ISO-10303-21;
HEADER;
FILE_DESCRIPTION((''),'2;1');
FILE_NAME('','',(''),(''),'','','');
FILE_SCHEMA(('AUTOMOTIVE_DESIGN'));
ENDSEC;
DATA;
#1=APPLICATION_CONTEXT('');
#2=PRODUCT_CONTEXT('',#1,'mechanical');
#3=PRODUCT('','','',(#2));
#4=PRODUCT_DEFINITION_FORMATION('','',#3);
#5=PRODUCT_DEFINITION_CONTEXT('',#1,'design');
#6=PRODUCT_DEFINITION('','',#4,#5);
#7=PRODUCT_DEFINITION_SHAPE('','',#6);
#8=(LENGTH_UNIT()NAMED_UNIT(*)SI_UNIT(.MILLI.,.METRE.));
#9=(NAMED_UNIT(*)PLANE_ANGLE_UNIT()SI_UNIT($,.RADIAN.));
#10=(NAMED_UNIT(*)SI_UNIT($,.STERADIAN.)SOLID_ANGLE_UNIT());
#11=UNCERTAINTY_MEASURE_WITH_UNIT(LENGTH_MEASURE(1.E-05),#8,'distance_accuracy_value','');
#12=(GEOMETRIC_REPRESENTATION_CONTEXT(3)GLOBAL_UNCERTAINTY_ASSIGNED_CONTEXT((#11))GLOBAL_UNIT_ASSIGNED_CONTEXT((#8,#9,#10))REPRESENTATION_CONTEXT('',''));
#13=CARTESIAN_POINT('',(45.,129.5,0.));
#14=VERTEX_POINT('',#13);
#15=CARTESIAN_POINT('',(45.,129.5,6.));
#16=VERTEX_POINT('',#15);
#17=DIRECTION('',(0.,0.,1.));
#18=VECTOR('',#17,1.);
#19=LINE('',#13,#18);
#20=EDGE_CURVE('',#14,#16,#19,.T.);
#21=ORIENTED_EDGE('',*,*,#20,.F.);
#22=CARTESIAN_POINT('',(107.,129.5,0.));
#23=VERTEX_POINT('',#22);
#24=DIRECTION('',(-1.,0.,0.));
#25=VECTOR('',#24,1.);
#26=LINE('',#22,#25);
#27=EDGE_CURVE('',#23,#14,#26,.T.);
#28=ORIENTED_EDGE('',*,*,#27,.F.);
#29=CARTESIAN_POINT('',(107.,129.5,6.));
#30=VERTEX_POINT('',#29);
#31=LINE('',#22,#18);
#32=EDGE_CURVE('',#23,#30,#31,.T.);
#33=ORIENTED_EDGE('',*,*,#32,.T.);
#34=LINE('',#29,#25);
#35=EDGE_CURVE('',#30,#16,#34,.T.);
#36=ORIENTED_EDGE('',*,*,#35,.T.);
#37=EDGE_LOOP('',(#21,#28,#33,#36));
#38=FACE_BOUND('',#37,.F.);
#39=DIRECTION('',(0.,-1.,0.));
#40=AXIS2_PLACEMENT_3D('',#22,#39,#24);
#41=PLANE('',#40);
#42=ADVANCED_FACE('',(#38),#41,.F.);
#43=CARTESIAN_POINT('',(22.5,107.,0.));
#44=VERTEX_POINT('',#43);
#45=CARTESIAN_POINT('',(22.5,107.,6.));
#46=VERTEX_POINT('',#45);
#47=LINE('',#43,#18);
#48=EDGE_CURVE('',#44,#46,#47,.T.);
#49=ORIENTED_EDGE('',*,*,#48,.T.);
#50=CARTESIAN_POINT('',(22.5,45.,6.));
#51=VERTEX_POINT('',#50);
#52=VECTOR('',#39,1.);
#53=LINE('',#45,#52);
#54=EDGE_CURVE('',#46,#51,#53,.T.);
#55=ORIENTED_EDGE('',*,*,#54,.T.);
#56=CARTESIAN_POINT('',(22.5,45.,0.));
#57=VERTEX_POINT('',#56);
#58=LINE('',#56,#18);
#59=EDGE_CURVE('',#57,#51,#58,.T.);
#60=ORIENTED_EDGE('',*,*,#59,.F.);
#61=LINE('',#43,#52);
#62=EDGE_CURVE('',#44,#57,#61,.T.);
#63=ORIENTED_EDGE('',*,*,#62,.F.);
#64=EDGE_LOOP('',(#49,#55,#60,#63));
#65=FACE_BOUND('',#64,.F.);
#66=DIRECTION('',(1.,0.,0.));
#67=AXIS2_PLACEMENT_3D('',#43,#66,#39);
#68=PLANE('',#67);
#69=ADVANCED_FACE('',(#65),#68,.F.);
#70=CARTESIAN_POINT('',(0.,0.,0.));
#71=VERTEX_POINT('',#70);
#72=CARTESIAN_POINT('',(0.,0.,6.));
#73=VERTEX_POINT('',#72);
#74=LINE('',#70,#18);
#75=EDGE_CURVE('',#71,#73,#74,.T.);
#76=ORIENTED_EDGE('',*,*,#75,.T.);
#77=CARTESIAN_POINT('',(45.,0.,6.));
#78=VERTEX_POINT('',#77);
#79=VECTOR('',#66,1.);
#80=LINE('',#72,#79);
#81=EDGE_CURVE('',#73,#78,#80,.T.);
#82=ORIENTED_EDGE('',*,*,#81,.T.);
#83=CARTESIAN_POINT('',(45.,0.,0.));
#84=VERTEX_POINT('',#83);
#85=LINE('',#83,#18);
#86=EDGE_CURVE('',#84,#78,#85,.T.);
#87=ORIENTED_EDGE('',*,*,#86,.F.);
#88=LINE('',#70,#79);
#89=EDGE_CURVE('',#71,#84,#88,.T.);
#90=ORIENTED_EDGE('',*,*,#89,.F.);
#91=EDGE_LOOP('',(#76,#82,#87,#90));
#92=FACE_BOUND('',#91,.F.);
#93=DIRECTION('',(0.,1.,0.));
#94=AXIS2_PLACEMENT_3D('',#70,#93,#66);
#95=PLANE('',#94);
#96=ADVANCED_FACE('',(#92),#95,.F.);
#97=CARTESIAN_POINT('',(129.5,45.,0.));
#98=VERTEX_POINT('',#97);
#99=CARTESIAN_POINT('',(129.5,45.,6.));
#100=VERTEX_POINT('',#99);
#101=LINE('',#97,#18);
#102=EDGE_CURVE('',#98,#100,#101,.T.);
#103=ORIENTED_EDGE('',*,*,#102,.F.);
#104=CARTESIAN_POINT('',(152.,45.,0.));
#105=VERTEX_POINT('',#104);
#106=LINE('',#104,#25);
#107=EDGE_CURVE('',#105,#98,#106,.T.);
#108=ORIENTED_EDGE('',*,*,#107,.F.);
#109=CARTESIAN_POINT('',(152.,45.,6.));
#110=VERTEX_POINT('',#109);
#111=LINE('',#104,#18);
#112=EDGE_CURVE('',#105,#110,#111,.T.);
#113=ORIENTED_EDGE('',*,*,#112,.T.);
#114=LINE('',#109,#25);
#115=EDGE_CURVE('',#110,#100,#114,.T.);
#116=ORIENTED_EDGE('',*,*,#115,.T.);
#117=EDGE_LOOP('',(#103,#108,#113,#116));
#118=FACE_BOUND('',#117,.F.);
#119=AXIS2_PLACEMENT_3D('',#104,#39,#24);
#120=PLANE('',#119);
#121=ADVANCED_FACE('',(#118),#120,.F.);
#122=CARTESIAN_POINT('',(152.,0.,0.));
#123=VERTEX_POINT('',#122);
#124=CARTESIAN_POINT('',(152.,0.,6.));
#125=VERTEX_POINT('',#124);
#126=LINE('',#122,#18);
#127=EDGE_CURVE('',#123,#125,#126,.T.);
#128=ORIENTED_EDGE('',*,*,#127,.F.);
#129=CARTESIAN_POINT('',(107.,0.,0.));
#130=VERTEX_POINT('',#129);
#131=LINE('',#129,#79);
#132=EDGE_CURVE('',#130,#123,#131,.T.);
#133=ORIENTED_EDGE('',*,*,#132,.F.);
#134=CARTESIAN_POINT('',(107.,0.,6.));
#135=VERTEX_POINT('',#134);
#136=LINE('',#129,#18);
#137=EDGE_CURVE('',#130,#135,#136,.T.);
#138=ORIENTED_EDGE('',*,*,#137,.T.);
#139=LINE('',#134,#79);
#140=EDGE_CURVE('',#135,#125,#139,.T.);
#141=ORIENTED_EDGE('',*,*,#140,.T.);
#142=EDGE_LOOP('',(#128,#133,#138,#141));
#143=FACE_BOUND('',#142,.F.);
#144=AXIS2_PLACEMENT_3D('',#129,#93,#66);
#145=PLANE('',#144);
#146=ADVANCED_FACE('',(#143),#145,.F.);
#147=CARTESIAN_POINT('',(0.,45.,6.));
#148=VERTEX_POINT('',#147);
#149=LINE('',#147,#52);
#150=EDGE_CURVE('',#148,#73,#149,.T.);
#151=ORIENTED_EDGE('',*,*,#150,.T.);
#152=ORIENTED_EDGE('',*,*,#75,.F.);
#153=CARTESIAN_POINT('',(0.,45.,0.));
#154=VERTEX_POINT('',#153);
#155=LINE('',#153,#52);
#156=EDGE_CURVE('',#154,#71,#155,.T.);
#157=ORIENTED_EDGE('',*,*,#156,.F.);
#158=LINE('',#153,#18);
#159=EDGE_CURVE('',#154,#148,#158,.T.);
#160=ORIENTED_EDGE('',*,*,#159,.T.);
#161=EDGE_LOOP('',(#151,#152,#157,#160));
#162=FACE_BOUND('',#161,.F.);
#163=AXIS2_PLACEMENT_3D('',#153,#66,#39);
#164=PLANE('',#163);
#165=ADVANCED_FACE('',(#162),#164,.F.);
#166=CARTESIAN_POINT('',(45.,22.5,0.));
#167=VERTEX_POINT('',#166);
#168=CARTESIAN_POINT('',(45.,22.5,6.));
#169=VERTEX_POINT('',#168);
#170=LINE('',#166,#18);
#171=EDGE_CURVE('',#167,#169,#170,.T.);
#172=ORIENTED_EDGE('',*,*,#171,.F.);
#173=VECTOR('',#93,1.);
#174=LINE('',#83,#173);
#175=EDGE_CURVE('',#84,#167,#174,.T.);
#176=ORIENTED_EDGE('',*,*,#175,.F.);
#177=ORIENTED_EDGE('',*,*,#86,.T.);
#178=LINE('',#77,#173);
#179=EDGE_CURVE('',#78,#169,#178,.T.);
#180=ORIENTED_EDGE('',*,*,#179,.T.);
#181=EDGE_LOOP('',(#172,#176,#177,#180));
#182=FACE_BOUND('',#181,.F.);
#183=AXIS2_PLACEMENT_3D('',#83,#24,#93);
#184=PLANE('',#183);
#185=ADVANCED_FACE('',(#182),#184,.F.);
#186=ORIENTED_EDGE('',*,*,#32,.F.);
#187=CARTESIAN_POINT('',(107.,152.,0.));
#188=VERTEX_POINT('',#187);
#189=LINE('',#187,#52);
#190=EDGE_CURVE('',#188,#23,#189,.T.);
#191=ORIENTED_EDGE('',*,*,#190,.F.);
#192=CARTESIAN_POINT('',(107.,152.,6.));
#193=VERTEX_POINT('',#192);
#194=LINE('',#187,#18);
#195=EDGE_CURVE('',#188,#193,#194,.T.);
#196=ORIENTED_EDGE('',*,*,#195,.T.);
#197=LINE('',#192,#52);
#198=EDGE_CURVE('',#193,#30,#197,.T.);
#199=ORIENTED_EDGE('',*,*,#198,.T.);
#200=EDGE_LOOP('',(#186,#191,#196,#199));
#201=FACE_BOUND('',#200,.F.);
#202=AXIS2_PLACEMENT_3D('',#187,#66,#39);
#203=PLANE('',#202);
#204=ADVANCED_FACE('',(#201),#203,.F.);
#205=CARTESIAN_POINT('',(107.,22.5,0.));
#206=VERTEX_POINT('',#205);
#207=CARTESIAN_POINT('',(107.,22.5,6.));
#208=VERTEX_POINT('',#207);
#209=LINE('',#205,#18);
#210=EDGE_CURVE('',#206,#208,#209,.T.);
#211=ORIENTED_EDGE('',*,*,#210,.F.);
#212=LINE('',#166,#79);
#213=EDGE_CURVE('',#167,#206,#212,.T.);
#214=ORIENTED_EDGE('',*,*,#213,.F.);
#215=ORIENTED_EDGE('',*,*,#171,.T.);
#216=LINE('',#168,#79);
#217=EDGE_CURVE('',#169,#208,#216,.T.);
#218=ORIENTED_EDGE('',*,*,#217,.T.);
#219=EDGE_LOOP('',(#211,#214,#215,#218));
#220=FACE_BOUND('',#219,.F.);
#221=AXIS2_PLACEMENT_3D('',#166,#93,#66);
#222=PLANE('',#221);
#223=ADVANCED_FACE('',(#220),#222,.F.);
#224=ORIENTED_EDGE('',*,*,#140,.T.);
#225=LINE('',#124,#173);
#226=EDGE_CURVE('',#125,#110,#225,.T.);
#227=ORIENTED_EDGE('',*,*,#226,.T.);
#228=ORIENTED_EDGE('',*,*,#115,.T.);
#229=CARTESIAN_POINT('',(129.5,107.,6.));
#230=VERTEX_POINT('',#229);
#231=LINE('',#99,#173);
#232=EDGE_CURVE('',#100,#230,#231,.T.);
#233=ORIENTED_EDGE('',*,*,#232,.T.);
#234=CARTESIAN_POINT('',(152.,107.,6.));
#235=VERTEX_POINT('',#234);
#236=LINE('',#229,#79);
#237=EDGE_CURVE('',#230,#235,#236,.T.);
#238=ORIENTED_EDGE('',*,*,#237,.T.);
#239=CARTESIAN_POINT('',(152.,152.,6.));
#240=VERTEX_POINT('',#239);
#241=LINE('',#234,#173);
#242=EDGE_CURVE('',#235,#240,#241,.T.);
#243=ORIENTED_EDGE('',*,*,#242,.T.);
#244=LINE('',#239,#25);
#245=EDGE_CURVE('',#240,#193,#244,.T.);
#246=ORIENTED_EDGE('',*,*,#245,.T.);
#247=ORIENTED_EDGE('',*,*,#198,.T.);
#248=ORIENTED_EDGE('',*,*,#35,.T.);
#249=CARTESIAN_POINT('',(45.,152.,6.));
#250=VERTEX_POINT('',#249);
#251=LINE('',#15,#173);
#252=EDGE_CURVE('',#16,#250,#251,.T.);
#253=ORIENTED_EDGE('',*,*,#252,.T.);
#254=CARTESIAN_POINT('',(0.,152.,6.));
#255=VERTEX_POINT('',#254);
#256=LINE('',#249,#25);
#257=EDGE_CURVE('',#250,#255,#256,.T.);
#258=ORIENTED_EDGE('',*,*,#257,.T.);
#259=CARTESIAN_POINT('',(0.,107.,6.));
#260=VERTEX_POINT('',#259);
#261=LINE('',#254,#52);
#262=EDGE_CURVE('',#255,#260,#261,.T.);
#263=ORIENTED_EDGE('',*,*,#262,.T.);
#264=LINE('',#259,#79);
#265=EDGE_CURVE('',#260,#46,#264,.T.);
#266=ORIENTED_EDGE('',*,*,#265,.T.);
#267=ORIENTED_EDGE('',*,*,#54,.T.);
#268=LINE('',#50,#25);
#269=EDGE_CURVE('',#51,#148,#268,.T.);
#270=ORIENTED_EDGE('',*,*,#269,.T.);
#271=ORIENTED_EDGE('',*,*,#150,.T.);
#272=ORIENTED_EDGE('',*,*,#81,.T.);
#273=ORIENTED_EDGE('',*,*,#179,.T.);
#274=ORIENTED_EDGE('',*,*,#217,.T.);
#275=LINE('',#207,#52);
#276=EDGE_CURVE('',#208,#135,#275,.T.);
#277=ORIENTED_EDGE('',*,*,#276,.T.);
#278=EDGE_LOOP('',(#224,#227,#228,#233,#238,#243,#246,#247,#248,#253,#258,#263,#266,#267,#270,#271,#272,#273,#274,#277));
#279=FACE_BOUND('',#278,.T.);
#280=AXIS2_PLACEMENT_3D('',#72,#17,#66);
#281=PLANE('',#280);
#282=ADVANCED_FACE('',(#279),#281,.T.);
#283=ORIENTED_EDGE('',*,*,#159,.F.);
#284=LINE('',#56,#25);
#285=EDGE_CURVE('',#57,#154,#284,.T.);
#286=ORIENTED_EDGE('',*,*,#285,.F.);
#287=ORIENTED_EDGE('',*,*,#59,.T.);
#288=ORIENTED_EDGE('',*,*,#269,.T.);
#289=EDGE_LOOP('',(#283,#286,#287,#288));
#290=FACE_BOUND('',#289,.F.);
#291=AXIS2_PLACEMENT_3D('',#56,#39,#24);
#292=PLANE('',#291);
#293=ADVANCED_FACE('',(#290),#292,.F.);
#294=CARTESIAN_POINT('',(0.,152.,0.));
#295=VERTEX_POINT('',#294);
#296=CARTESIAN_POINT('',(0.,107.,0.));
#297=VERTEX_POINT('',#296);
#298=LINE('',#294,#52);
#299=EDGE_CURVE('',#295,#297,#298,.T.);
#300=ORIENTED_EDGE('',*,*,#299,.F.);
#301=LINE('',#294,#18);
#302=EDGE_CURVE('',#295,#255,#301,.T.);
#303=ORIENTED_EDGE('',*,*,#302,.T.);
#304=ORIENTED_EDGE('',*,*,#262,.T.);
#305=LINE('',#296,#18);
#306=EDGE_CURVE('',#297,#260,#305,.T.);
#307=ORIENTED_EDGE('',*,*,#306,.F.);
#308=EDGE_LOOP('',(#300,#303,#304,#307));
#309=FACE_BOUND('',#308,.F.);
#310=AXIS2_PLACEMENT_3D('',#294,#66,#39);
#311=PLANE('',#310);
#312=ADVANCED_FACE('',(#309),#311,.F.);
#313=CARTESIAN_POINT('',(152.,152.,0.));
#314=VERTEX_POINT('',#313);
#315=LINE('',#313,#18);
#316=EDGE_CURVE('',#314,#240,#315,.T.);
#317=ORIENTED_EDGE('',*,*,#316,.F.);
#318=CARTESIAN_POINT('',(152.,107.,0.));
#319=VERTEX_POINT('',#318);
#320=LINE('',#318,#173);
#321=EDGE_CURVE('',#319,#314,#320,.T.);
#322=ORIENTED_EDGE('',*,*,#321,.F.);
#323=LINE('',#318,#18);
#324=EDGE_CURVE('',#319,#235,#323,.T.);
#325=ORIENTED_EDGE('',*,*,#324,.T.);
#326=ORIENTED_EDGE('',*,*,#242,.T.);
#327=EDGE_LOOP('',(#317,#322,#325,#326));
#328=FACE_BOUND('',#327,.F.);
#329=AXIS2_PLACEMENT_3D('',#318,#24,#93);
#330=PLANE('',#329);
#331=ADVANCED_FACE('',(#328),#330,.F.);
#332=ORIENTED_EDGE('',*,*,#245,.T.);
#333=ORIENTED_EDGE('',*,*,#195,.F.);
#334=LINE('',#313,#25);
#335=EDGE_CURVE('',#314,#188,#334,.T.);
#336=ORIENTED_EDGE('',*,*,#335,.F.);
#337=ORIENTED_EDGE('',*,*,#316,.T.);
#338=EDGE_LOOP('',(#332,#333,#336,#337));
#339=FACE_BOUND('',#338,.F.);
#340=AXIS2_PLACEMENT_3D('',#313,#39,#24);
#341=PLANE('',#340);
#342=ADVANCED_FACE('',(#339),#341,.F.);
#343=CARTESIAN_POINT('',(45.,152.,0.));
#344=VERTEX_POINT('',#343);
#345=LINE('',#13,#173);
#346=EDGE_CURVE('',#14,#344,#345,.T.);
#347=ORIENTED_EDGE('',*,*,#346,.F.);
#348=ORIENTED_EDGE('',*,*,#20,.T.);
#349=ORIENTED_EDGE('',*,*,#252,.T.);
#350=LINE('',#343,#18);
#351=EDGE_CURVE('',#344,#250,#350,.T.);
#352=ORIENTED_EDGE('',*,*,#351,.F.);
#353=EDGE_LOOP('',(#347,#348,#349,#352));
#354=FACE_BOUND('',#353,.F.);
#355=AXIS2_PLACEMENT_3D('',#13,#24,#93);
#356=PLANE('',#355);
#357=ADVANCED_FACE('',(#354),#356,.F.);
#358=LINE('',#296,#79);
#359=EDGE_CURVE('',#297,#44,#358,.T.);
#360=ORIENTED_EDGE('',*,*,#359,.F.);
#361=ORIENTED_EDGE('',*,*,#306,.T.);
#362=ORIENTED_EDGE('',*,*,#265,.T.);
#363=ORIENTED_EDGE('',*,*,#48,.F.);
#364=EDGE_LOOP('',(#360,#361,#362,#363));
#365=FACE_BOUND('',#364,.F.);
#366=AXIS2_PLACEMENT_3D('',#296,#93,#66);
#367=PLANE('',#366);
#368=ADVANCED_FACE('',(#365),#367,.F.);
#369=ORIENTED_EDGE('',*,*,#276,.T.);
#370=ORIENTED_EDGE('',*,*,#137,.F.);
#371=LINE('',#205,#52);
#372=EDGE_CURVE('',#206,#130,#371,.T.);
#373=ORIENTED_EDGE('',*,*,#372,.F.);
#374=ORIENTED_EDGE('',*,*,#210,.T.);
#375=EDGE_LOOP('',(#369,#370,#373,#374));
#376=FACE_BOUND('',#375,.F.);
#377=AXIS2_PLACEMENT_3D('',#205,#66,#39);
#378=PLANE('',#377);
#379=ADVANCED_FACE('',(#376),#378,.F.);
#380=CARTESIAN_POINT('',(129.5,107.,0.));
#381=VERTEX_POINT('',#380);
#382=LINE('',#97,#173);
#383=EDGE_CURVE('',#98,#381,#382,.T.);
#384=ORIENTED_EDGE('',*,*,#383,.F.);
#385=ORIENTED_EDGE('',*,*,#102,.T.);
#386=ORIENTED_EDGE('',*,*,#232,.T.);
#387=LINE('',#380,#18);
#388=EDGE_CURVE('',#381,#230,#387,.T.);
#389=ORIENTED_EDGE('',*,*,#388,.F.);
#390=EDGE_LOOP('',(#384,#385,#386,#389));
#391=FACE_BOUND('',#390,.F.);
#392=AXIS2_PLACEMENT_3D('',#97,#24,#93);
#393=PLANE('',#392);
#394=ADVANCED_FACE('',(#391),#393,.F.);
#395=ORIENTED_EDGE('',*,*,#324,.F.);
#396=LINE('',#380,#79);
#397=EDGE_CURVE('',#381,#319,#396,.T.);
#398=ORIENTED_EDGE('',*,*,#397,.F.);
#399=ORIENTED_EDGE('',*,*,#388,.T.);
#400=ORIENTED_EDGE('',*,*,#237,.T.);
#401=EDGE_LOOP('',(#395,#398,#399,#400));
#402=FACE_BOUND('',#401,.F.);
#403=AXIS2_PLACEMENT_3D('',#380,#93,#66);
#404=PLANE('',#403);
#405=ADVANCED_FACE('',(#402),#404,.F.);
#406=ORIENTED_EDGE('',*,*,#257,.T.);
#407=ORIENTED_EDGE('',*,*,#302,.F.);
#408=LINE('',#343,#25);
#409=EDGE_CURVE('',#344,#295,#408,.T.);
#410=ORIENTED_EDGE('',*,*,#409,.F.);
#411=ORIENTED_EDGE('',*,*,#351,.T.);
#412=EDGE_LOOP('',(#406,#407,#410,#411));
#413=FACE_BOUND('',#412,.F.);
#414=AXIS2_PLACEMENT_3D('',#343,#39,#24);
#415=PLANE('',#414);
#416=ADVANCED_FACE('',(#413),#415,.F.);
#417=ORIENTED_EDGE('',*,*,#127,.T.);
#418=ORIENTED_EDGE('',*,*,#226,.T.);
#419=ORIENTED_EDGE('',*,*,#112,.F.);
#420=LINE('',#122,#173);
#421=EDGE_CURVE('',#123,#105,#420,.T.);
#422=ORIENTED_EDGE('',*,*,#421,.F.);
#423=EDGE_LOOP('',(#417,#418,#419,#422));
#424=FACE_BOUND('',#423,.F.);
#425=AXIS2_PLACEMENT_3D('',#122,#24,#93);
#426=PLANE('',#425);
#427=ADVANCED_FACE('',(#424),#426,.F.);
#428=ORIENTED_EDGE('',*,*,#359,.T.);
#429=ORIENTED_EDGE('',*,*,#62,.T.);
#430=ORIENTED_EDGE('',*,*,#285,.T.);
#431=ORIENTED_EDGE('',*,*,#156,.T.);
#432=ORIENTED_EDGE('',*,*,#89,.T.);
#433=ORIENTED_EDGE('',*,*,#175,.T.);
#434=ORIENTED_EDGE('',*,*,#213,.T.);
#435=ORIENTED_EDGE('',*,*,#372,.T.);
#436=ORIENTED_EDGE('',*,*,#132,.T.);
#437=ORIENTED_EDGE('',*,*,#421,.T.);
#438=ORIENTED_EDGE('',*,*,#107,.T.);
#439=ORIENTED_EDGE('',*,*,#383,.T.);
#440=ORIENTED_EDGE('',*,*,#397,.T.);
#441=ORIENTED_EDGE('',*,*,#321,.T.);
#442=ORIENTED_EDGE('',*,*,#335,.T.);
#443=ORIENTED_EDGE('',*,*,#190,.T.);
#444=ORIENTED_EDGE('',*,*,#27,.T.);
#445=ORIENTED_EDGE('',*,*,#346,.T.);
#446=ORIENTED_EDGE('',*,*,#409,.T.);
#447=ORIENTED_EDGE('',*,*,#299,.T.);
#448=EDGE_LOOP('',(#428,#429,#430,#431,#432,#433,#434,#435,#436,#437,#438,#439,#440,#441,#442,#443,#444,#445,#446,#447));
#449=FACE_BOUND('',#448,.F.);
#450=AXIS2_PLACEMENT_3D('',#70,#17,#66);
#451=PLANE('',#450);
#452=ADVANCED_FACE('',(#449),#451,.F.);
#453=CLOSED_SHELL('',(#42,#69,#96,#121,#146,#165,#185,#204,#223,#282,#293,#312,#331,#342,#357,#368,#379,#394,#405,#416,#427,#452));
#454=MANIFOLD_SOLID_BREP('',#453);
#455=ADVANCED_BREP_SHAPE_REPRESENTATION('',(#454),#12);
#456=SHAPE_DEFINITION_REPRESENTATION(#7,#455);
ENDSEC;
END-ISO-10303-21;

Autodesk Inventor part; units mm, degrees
ref_plane "YZ Plane" through (0, 0, 0) normal (1, 0, 0) x (0, 1, 0)
ref_plane "XZ Plane" through (0, 0, 0) normal (0, 1, 0) x (-1, 0, 0)
ref_plane "XY Plane" through (0, 0, 0) normal (0, 0, 1) x (1, 0, 0)
sketch "Szkic1" plane through (0, 0, 0) normal (0, 0, 1) x (1, 0, 0)
  line L0 (0, 0) -> (152, 0) construction
  line L1 (152, 0) -> (152, 152) construction
  line L2 (152, 152) -> (0, 152) construction
  line L3 (0, 152) -> (0, 0) construction
  line L4 (129.5, 22.5) -> (22.5, 22.5) construction
  line L5 (22.5, 22.5) -> (22.5, 129.5) construction
  line L6 (22.5, 129.5) -> (129.5, 129.5) construction
  line L7 (129.5, 129.5) -> (129.5, 22.5) construction
  line L8 (0, 0) -> (45, 0) construction
  line L9 (45, 0) -> (45, 45) construction
  line L10 (45, 45) -> (0, 45) construction
  line L11 (0, 45) -> (0, 0) construction
  line L12 (0, 152) -> (45, 152) construction
  line L13 (45, 152) -> (45, 107) construction
  line L14 (45, 107) -> (0, 107) construction
  line L15 (0, 107) -> (0, 152) construction
  line L16 (152, 152) -> (107, 152) construction
  line L17 (107, 152) -> (107, 107) construction
  line L18 (107, 107) -> (152, 107) construction
  line L19 (152, 107) -> (152, 152) construction
  line L20 (152, 0) -> (107, 0) construction
  line L21 (107, 0) -> (107, 45) construction
  line L22 (107, 45) -> (152, 45) construction
  line L23 (152, 45) -> (152, 0) construction
  line L24 (0, 0) -> (45, 0)
  line L25 (45, 0) -> (45, 22.5)
  line L26 (45, 22.5) -> (107, 22.5)
  line L27 (107, 22.5) -> (107, 0)
  line L28 (107, 0) -> (152, 0)
  line L29 (152, 0) -> (152, 45)
  line L30 (152, 45) -> (129.5, 45)
  line L31 (129.5, 45) -> (129.5, 107)
  line L32 (129.5, 107) -> (152, 107)
  line L33 (152, 107) -> (152, 152)
  line L34 (152, 152) -> (107, 152)
  line L35 (107, 152) -> (107, 129.5)
  line L36 (107, 129.5) -> (45, 129.5)
  line L37 (45, 129.5) -> (45, 152)
  line L38 (45, 152) -> (0, 152)
  line L39 (0, 152) -> (0, 107)
  line L40 (0, 107) -> (22.5, 107)
  line L41 (22.5, 107) -> (22.5, 45)
  line L42 (22.5, 45) -> (0, 45)
  line L43 (0, 45) -> (0, 0)
  dimension "d0" = 152
  dimension "d1" = 152
  dimension "d2" = 22.5
  dimension "d3" = 45
  dimension "d4" = 45
  dimension "d5" = 45
  dimension "d6" = 45
  dimension "d7" = 45
  dimension "d8" = 45
  dimension "d9" = 45
  dimension "d10" = 45
extrude "Wyciągnięcie proste1" add sketch "Szkic1" along normal blind 6
equation "\"d1\" = d0"
properties part number "Pokrywka"
